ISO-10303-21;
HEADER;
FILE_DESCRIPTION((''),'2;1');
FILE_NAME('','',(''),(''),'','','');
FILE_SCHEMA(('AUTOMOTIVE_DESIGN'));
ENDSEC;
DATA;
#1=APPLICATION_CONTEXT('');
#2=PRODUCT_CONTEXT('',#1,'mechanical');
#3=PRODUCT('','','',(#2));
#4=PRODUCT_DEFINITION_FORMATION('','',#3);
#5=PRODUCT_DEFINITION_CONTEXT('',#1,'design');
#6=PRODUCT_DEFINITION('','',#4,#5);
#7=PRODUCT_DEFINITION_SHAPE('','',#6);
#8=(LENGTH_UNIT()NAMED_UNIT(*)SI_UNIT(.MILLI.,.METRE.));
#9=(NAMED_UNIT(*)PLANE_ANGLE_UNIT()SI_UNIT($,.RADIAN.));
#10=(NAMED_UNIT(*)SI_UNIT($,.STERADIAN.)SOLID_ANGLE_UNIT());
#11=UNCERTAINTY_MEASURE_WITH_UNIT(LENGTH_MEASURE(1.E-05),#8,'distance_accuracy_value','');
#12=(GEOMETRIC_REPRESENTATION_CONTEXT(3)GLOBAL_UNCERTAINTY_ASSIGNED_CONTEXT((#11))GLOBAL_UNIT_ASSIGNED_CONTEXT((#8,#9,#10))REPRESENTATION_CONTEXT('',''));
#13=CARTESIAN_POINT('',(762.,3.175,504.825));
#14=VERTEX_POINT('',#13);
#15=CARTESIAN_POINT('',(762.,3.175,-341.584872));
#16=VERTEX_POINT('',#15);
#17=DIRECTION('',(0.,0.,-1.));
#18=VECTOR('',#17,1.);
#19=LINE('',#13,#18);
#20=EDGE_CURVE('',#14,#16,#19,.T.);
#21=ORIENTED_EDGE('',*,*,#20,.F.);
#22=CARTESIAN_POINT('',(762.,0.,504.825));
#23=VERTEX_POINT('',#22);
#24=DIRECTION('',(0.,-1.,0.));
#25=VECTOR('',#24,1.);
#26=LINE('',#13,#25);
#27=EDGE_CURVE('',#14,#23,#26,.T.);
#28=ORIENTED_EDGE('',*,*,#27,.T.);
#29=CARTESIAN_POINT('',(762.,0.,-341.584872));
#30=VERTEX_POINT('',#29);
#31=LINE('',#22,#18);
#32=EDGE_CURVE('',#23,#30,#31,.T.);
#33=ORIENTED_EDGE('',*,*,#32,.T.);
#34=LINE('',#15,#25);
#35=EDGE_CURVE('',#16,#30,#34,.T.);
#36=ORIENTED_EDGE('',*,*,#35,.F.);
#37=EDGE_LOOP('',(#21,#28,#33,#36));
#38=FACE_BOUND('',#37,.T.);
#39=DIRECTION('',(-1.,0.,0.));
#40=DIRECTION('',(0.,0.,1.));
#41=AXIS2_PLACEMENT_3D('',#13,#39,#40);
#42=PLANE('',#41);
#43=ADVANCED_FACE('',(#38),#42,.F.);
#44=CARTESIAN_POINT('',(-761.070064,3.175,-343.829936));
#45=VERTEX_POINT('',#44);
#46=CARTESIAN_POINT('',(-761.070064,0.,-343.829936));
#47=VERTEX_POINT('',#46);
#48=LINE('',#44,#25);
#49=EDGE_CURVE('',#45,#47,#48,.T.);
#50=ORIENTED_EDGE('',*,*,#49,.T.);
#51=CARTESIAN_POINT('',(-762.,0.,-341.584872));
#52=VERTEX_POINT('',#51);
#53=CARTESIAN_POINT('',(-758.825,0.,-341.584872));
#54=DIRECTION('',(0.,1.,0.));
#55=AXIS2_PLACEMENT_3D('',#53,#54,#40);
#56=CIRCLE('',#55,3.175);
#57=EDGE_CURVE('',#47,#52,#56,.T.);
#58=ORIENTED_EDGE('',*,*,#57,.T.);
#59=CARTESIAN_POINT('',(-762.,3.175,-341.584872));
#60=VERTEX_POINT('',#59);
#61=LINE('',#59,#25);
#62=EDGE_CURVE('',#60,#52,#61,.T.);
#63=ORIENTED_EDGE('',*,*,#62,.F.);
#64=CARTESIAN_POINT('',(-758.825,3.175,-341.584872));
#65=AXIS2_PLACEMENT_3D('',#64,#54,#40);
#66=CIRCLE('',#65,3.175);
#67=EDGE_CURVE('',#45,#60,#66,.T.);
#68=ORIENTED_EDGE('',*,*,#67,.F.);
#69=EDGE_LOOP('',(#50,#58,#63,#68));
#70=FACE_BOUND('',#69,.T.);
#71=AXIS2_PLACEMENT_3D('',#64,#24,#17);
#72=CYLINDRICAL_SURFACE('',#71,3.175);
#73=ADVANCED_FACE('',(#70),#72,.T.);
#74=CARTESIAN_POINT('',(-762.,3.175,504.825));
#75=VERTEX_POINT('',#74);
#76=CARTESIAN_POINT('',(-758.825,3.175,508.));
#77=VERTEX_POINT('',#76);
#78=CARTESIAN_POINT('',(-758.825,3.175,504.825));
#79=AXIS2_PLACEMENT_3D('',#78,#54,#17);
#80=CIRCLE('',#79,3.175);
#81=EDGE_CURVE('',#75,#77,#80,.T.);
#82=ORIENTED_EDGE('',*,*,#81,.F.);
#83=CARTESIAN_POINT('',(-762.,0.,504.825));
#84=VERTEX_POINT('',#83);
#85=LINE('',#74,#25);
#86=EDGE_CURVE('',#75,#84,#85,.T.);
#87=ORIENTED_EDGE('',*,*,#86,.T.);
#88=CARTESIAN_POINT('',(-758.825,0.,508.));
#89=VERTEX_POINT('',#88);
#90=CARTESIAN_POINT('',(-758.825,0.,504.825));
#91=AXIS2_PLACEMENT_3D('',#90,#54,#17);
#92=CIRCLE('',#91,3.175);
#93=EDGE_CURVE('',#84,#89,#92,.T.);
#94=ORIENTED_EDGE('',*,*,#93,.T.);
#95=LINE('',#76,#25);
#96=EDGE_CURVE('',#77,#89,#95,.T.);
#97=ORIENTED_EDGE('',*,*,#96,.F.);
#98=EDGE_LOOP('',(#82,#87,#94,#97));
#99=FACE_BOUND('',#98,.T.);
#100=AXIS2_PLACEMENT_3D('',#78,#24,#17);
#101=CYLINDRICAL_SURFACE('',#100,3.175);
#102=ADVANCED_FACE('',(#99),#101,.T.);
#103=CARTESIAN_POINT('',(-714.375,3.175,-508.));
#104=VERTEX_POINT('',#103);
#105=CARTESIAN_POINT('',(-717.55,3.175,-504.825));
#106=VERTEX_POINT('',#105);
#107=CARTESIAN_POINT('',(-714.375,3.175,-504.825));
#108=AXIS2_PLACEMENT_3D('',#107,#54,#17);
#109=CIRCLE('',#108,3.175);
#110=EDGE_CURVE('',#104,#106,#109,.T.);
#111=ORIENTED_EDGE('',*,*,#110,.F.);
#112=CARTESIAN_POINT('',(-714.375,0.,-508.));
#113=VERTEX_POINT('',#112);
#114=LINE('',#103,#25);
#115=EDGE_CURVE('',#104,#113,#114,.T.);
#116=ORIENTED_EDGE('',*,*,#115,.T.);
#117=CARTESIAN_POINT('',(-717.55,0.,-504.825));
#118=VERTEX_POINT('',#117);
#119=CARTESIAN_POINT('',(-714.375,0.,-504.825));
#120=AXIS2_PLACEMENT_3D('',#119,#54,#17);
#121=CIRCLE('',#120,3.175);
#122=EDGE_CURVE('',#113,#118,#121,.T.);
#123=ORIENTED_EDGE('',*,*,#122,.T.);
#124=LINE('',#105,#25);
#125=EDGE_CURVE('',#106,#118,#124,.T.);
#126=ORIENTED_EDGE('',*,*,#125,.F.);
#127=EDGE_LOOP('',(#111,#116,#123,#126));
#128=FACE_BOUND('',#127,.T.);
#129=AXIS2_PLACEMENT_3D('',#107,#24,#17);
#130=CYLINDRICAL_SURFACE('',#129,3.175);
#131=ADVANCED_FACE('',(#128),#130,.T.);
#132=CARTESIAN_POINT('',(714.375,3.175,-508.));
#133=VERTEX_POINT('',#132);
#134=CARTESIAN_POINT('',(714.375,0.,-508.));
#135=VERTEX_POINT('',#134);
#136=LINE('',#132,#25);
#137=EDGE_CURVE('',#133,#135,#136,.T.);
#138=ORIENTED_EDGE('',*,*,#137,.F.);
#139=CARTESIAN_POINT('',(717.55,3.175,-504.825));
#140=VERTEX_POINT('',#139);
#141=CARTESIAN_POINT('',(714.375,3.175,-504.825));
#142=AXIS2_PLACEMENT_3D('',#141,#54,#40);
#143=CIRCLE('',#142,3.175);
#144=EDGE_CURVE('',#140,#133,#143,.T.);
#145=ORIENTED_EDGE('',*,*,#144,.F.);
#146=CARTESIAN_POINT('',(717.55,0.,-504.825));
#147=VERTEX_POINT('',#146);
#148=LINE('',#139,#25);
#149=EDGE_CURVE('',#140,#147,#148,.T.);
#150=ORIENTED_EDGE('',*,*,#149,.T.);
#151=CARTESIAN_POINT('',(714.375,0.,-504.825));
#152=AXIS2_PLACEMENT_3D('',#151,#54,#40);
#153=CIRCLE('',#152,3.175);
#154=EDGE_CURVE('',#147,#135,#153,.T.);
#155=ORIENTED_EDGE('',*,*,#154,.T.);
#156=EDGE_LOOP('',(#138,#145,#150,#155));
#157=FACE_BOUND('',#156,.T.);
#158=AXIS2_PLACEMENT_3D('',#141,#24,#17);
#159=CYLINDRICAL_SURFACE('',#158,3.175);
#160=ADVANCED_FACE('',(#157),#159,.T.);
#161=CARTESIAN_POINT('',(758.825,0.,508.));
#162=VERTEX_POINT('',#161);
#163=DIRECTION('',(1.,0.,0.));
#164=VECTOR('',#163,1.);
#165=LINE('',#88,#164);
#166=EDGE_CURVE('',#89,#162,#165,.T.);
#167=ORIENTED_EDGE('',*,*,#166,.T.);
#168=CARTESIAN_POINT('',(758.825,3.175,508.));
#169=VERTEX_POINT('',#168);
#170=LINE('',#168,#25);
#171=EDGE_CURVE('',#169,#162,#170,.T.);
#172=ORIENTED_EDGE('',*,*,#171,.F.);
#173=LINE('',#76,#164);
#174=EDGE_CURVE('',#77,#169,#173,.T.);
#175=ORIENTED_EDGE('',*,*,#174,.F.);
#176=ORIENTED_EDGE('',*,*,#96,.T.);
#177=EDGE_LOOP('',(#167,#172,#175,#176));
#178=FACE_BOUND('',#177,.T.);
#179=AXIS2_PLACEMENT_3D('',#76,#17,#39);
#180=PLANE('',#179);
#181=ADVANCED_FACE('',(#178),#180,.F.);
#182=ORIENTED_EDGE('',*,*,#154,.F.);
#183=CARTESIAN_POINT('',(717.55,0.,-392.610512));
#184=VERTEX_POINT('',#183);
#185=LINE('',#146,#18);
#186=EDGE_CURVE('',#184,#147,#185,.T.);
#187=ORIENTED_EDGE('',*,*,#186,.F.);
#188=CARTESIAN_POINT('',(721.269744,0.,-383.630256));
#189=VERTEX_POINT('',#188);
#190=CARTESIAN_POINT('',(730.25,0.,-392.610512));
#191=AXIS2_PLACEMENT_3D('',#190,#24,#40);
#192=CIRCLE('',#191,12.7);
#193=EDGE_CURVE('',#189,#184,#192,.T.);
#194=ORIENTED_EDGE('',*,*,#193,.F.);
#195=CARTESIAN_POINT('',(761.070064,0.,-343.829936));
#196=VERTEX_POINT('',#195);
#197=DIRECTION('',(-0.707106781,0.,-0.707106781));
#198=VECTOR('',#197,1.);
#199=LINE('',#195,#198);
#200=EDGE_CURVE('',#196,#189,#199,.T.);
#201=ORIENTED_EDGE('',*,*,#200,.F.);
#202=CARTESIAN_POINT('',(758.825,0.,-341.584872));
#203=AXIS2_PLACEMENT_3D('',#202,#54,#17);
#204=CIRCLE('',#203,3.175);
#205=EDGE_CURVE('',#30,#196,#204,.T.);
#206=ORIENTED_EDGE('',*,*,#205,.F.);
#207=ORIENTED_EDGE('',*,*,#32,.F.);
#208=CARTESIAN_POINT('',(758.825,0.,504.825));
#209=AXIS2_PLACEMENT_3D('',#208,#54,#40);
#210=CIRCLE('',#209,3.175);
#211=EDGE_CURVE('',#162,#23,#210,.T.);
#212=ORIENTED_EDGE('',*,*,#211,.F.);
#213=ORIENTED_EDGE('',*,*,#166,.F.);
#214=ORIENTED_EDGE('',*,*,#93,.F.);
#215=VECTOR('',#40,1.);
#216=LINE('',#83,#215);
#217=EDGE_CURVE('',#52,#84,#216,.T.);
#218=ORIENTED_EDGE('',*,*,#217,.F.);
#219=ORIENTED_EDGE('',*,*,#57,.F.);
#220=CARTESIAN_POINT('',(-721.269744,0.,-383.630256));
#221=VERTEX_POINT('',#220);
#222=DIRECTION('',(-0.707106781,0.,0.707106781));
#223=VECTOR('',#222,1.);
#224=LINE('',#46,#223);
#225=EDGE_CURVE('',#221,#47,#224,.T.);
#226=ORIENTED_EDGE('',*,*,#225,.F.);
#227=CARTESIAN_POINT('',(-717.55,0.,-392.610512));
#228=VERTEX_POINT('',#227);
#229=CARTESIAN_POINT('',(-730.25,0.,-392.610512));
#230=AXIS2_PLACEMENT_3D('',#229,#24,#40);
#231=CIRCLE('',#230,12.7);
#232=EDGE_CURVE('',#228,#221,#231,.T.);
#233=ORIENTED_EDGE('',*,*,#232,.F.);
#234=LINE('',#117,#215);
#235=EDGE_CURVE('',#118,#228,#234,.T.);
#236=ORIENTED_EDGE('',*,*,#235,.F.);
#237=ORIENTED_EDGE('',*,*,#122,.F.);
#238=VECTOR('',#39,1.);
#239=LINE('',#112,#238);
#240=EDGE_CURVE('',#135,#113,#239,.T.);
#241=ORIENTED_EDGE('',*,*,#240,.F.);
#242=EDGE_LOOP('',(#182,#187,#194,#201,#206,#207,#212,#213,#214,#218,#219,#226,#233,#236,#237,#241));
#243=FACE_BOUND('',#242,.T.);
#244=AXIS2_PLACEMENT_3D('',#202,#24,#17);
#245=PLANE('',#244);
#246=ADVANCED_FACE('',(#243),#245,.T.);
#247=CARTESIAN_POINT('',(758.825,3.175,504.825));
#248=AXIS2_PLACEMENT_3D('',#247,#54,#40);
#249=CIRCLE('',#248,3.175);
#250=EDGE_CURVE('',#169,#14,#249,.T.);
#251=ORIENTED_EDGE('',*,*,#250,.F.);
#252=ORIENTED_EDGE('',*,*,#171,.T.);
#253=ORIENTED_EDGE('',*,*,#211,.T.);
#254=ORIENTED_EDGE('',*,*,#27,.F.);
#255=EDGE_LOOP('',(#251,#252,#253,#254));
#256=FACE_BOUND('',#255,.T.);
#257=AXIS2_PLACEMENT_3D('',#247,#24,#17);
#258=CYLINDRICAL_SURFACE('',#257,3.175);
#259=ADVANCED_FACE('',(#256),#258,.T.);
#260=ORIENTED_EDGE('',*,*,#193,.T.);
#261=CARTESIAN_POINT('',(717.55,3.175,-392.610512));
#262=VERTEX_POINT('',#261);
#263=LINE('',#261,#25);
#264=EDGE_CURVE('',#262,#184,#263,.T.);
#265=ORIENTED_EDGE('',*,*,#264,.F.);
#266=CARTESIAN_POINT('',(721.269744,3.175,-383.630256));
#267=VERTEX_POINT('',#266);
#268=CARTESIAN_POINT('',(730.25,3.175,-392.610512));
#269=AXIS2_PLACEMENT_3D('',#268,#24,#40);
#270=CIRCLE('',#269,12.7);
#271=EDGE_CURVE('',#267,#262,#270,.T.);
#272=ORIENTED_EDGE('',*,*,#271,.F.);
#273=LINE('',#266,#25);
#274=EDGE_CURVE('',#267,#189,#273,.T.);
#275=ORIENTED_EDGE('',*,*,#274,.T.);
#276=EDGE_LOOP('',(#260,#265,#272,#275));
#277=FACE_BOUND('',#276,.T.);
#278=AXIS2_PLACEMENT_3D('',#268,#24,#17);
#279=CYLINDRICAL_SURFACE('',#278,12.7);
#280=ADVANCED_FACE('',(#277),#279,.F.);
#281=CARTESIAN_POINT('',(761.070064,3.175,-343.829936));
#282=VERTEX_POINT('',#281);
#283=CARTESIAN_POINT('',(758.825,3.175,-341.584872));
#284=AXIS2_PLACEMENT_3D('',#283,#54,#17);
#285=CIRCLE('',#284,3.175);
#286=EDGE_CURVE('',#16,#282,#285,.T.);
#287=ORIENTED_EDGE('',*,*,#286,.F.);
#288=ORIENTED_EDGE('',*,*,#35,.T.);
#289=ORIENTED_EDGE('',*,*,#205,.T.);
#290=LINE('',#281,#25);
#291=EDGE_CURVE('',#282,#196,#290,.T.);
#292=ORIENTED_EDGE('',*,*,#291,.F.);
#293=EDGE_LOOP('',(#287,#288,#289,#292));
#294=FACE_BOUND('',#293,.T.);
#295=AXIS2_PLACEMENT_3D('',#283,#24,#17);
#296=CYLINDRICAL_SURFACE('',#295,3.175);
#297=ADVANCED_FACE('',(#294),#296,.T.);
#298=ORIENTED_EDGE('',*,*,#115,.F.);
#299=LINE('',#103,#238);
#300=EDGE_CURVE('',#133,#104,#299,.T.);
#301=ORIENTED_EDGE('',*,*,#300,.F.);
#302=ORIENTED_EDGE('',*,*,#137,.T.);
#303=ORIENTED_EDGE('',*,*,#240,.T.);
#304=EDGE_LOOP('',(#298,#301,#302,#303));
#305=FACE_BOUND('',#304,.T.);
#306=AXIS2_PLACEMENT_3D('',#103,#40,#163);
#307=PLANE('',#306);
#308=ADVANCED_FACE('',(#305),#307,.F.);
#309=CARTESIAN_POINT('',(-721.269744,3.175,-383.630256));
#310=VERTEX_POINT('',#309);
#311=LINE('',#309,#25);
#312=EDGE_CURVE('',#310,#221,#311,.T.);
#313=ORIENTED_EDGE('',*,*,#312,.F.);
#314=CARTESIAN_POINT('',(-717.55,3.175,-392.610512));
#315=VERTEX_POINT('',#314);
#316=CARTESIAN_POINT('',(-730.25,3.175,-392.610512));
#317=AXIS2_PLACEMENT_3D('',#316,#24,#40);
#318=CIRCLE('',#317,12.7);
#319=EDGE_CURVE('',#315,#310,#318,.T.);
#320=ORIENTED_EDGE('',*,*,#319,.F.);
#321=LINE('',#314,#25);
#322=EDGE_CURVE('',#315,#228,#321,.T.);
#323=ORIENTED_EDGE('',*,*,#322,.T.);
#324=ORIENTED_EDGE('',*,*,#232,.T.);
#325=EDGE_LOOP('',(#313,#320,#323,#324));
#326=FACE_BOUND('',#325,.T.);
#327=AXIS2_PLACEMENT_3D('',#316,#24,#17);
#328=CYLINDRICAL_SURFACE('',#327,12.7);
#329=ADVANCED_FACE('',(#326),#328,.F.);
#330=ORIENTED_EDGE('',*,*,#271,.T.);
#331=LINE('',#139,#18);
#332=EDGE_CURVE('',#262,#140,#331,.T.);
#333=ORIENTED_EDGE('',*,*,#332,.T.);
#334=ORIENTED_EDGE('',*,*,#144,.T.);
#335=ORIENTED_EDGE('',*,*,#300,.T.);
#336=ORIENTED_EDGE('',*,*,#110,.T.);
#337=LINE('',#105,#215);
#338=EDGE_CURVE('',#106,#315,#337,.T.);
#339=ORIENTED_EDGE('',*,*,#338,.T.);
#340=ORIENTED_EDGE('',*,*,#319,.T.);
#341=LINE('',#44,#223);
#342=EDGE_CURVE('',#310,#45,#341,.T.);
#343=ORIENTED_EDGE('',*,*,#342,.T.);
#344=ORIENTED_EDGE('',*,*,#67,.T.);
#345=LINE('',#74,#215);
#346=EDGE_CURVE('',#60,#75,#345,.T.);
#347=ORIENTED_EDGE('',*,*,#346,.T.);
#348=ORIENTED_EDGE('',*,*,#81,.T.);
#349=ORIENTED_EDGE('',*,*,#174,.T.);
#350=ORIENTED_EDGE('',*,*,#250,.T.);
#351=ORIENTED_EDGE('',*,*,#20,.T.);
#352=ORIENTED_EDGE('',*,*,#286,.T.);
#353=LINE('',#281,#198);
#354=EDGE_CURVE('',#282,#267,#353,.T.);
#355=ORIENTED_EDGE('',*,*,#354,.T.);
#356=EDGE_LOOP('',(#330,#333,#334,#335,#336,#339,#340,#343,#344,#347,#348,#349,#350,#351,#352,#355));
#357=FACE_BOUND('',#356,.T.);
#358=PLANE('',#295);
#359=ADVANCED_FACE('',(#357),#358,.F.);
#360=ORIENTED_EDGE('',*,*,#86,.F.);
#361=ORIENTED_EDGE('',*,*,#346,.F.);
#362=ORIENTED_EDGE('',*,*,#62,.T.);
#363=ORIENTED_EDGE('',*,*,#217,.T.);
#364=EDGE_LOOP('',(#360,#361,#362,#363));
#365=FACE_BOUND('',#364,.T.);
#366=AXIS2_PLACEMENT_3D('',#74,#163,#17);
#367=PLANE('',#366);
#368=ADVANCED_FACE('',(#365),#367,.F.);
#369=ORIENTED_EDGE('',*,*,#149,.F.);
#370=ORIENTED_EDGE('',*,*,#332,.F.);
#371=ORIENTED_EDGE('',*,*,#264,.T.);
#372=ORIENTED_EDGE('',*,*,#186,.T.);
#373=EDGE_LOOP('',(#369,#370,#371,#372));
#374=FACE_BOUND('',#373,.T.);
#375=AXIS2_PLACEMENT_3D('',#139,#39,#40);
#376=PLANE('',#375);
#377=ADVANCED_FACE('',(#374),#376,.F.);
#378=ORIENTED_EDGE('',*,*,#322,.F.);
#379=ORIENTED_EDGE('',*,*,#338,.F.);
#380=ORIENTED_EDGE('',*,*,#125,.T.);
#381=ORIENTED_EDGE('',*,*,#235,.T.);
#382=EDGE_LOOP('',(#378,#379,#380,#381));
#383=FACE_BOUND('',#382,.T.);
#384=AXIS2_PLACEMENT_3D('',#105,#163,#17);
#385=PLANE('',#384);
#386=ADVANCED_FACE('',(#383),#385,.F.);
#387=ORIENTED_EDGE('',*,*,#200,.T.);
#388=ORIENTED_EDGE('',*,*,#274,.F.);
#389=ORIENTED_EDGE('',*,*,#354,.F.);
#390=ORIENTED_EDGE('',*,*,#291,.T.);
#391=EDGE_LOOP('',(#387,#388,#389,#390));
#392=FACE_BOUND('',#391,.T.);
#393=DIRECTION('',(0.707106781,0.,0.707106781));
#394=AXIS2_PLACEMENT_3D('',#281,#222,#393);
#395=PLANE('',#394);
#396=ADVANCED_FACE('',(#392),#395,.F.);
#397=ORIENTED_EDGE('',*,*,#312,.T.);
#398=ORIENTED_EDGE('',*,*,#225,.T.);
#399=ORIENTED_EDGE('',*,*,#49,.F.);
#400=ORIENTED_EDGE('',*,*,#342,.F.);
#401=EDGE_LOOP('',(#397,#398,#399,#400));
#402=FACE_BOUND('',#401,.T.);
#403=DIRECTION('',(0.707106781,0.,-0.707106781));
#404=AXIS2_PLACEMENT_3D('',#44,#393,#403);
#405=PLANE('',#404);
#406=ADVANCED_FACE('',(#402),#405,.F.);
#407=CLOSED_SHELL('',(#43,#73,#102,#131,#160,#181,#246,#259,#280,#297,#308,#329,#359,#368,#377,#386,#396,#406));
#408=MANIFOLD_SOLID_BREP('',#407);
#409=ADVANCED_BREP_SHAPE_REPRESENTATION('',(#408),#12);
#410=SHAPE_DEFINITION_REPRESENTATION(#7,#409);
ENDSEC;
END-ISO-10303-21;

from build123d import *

# Parameters (mm, degrees)
BOSS_EXTRUDE1_DEPTH = 3.175


with BuildPart() as part:
    # Sketch1 → Boss-Extrude1 (new body)
    with BuildSketch(Plane(origin=(0, 0, 0), x_dir=(1, 0, 0), z_dir=(0, 1, 0))):
        with BuildLine():
            Line((-717.55, 504.825), (-717.55, 392.610512242))
            ThreePointArc((-717.55, 392.610512242), (-718.516729937, 387.750432651), (-721.269743879, 383.630256121))
            Line((-721.269743879, 383.630256121), (-761.07006403, 343.82993597))
            ThreePointArc((-761.07006403, 343.82993597), (-761.758317516, 342.799891837), (-762, 341.584871939))
            Line((-762, 341.584871939), (-762, -504.825))
            ThreePointArc((-762, -504.825), (-761.07006403, -507.07006403), (-758.825, -508))
            Line((-758.825, -508), (758.825, -508))
            ThreePointArc((758.825, -508), (761.07006403, -507.07006403), (762, -504.825))
            Line((762, -504.825), (762, 341.584871939))
            ThreePointArc((762, 341.584871939), (761.758317516, 342.799891837), (761.07006403, 343.82993597))
            Line((761.07006403, 343.82993597), (721.269743879, 383.630256121))
            ThreePointArc((721.269743879, 383.630256121), (718.516729937, 387.750432651), (717.55, 392.610512242))
            Line((717.55, 392.610512242), (717.55, 504.825))
            ThreePointArc((717.55, 504.825), (716.62006403, 507.07006403), (714.375, 508))
            Line((714.375, 508), (-714.375, 508))
            ThreePointArc((-714.375, 508), (-716.62006403, 507.07006403), (-717.55, 504.825))
        make_face()
    extrude(amount=BOSS_EXTRUDE1_DEPTH)


solid = part.part
